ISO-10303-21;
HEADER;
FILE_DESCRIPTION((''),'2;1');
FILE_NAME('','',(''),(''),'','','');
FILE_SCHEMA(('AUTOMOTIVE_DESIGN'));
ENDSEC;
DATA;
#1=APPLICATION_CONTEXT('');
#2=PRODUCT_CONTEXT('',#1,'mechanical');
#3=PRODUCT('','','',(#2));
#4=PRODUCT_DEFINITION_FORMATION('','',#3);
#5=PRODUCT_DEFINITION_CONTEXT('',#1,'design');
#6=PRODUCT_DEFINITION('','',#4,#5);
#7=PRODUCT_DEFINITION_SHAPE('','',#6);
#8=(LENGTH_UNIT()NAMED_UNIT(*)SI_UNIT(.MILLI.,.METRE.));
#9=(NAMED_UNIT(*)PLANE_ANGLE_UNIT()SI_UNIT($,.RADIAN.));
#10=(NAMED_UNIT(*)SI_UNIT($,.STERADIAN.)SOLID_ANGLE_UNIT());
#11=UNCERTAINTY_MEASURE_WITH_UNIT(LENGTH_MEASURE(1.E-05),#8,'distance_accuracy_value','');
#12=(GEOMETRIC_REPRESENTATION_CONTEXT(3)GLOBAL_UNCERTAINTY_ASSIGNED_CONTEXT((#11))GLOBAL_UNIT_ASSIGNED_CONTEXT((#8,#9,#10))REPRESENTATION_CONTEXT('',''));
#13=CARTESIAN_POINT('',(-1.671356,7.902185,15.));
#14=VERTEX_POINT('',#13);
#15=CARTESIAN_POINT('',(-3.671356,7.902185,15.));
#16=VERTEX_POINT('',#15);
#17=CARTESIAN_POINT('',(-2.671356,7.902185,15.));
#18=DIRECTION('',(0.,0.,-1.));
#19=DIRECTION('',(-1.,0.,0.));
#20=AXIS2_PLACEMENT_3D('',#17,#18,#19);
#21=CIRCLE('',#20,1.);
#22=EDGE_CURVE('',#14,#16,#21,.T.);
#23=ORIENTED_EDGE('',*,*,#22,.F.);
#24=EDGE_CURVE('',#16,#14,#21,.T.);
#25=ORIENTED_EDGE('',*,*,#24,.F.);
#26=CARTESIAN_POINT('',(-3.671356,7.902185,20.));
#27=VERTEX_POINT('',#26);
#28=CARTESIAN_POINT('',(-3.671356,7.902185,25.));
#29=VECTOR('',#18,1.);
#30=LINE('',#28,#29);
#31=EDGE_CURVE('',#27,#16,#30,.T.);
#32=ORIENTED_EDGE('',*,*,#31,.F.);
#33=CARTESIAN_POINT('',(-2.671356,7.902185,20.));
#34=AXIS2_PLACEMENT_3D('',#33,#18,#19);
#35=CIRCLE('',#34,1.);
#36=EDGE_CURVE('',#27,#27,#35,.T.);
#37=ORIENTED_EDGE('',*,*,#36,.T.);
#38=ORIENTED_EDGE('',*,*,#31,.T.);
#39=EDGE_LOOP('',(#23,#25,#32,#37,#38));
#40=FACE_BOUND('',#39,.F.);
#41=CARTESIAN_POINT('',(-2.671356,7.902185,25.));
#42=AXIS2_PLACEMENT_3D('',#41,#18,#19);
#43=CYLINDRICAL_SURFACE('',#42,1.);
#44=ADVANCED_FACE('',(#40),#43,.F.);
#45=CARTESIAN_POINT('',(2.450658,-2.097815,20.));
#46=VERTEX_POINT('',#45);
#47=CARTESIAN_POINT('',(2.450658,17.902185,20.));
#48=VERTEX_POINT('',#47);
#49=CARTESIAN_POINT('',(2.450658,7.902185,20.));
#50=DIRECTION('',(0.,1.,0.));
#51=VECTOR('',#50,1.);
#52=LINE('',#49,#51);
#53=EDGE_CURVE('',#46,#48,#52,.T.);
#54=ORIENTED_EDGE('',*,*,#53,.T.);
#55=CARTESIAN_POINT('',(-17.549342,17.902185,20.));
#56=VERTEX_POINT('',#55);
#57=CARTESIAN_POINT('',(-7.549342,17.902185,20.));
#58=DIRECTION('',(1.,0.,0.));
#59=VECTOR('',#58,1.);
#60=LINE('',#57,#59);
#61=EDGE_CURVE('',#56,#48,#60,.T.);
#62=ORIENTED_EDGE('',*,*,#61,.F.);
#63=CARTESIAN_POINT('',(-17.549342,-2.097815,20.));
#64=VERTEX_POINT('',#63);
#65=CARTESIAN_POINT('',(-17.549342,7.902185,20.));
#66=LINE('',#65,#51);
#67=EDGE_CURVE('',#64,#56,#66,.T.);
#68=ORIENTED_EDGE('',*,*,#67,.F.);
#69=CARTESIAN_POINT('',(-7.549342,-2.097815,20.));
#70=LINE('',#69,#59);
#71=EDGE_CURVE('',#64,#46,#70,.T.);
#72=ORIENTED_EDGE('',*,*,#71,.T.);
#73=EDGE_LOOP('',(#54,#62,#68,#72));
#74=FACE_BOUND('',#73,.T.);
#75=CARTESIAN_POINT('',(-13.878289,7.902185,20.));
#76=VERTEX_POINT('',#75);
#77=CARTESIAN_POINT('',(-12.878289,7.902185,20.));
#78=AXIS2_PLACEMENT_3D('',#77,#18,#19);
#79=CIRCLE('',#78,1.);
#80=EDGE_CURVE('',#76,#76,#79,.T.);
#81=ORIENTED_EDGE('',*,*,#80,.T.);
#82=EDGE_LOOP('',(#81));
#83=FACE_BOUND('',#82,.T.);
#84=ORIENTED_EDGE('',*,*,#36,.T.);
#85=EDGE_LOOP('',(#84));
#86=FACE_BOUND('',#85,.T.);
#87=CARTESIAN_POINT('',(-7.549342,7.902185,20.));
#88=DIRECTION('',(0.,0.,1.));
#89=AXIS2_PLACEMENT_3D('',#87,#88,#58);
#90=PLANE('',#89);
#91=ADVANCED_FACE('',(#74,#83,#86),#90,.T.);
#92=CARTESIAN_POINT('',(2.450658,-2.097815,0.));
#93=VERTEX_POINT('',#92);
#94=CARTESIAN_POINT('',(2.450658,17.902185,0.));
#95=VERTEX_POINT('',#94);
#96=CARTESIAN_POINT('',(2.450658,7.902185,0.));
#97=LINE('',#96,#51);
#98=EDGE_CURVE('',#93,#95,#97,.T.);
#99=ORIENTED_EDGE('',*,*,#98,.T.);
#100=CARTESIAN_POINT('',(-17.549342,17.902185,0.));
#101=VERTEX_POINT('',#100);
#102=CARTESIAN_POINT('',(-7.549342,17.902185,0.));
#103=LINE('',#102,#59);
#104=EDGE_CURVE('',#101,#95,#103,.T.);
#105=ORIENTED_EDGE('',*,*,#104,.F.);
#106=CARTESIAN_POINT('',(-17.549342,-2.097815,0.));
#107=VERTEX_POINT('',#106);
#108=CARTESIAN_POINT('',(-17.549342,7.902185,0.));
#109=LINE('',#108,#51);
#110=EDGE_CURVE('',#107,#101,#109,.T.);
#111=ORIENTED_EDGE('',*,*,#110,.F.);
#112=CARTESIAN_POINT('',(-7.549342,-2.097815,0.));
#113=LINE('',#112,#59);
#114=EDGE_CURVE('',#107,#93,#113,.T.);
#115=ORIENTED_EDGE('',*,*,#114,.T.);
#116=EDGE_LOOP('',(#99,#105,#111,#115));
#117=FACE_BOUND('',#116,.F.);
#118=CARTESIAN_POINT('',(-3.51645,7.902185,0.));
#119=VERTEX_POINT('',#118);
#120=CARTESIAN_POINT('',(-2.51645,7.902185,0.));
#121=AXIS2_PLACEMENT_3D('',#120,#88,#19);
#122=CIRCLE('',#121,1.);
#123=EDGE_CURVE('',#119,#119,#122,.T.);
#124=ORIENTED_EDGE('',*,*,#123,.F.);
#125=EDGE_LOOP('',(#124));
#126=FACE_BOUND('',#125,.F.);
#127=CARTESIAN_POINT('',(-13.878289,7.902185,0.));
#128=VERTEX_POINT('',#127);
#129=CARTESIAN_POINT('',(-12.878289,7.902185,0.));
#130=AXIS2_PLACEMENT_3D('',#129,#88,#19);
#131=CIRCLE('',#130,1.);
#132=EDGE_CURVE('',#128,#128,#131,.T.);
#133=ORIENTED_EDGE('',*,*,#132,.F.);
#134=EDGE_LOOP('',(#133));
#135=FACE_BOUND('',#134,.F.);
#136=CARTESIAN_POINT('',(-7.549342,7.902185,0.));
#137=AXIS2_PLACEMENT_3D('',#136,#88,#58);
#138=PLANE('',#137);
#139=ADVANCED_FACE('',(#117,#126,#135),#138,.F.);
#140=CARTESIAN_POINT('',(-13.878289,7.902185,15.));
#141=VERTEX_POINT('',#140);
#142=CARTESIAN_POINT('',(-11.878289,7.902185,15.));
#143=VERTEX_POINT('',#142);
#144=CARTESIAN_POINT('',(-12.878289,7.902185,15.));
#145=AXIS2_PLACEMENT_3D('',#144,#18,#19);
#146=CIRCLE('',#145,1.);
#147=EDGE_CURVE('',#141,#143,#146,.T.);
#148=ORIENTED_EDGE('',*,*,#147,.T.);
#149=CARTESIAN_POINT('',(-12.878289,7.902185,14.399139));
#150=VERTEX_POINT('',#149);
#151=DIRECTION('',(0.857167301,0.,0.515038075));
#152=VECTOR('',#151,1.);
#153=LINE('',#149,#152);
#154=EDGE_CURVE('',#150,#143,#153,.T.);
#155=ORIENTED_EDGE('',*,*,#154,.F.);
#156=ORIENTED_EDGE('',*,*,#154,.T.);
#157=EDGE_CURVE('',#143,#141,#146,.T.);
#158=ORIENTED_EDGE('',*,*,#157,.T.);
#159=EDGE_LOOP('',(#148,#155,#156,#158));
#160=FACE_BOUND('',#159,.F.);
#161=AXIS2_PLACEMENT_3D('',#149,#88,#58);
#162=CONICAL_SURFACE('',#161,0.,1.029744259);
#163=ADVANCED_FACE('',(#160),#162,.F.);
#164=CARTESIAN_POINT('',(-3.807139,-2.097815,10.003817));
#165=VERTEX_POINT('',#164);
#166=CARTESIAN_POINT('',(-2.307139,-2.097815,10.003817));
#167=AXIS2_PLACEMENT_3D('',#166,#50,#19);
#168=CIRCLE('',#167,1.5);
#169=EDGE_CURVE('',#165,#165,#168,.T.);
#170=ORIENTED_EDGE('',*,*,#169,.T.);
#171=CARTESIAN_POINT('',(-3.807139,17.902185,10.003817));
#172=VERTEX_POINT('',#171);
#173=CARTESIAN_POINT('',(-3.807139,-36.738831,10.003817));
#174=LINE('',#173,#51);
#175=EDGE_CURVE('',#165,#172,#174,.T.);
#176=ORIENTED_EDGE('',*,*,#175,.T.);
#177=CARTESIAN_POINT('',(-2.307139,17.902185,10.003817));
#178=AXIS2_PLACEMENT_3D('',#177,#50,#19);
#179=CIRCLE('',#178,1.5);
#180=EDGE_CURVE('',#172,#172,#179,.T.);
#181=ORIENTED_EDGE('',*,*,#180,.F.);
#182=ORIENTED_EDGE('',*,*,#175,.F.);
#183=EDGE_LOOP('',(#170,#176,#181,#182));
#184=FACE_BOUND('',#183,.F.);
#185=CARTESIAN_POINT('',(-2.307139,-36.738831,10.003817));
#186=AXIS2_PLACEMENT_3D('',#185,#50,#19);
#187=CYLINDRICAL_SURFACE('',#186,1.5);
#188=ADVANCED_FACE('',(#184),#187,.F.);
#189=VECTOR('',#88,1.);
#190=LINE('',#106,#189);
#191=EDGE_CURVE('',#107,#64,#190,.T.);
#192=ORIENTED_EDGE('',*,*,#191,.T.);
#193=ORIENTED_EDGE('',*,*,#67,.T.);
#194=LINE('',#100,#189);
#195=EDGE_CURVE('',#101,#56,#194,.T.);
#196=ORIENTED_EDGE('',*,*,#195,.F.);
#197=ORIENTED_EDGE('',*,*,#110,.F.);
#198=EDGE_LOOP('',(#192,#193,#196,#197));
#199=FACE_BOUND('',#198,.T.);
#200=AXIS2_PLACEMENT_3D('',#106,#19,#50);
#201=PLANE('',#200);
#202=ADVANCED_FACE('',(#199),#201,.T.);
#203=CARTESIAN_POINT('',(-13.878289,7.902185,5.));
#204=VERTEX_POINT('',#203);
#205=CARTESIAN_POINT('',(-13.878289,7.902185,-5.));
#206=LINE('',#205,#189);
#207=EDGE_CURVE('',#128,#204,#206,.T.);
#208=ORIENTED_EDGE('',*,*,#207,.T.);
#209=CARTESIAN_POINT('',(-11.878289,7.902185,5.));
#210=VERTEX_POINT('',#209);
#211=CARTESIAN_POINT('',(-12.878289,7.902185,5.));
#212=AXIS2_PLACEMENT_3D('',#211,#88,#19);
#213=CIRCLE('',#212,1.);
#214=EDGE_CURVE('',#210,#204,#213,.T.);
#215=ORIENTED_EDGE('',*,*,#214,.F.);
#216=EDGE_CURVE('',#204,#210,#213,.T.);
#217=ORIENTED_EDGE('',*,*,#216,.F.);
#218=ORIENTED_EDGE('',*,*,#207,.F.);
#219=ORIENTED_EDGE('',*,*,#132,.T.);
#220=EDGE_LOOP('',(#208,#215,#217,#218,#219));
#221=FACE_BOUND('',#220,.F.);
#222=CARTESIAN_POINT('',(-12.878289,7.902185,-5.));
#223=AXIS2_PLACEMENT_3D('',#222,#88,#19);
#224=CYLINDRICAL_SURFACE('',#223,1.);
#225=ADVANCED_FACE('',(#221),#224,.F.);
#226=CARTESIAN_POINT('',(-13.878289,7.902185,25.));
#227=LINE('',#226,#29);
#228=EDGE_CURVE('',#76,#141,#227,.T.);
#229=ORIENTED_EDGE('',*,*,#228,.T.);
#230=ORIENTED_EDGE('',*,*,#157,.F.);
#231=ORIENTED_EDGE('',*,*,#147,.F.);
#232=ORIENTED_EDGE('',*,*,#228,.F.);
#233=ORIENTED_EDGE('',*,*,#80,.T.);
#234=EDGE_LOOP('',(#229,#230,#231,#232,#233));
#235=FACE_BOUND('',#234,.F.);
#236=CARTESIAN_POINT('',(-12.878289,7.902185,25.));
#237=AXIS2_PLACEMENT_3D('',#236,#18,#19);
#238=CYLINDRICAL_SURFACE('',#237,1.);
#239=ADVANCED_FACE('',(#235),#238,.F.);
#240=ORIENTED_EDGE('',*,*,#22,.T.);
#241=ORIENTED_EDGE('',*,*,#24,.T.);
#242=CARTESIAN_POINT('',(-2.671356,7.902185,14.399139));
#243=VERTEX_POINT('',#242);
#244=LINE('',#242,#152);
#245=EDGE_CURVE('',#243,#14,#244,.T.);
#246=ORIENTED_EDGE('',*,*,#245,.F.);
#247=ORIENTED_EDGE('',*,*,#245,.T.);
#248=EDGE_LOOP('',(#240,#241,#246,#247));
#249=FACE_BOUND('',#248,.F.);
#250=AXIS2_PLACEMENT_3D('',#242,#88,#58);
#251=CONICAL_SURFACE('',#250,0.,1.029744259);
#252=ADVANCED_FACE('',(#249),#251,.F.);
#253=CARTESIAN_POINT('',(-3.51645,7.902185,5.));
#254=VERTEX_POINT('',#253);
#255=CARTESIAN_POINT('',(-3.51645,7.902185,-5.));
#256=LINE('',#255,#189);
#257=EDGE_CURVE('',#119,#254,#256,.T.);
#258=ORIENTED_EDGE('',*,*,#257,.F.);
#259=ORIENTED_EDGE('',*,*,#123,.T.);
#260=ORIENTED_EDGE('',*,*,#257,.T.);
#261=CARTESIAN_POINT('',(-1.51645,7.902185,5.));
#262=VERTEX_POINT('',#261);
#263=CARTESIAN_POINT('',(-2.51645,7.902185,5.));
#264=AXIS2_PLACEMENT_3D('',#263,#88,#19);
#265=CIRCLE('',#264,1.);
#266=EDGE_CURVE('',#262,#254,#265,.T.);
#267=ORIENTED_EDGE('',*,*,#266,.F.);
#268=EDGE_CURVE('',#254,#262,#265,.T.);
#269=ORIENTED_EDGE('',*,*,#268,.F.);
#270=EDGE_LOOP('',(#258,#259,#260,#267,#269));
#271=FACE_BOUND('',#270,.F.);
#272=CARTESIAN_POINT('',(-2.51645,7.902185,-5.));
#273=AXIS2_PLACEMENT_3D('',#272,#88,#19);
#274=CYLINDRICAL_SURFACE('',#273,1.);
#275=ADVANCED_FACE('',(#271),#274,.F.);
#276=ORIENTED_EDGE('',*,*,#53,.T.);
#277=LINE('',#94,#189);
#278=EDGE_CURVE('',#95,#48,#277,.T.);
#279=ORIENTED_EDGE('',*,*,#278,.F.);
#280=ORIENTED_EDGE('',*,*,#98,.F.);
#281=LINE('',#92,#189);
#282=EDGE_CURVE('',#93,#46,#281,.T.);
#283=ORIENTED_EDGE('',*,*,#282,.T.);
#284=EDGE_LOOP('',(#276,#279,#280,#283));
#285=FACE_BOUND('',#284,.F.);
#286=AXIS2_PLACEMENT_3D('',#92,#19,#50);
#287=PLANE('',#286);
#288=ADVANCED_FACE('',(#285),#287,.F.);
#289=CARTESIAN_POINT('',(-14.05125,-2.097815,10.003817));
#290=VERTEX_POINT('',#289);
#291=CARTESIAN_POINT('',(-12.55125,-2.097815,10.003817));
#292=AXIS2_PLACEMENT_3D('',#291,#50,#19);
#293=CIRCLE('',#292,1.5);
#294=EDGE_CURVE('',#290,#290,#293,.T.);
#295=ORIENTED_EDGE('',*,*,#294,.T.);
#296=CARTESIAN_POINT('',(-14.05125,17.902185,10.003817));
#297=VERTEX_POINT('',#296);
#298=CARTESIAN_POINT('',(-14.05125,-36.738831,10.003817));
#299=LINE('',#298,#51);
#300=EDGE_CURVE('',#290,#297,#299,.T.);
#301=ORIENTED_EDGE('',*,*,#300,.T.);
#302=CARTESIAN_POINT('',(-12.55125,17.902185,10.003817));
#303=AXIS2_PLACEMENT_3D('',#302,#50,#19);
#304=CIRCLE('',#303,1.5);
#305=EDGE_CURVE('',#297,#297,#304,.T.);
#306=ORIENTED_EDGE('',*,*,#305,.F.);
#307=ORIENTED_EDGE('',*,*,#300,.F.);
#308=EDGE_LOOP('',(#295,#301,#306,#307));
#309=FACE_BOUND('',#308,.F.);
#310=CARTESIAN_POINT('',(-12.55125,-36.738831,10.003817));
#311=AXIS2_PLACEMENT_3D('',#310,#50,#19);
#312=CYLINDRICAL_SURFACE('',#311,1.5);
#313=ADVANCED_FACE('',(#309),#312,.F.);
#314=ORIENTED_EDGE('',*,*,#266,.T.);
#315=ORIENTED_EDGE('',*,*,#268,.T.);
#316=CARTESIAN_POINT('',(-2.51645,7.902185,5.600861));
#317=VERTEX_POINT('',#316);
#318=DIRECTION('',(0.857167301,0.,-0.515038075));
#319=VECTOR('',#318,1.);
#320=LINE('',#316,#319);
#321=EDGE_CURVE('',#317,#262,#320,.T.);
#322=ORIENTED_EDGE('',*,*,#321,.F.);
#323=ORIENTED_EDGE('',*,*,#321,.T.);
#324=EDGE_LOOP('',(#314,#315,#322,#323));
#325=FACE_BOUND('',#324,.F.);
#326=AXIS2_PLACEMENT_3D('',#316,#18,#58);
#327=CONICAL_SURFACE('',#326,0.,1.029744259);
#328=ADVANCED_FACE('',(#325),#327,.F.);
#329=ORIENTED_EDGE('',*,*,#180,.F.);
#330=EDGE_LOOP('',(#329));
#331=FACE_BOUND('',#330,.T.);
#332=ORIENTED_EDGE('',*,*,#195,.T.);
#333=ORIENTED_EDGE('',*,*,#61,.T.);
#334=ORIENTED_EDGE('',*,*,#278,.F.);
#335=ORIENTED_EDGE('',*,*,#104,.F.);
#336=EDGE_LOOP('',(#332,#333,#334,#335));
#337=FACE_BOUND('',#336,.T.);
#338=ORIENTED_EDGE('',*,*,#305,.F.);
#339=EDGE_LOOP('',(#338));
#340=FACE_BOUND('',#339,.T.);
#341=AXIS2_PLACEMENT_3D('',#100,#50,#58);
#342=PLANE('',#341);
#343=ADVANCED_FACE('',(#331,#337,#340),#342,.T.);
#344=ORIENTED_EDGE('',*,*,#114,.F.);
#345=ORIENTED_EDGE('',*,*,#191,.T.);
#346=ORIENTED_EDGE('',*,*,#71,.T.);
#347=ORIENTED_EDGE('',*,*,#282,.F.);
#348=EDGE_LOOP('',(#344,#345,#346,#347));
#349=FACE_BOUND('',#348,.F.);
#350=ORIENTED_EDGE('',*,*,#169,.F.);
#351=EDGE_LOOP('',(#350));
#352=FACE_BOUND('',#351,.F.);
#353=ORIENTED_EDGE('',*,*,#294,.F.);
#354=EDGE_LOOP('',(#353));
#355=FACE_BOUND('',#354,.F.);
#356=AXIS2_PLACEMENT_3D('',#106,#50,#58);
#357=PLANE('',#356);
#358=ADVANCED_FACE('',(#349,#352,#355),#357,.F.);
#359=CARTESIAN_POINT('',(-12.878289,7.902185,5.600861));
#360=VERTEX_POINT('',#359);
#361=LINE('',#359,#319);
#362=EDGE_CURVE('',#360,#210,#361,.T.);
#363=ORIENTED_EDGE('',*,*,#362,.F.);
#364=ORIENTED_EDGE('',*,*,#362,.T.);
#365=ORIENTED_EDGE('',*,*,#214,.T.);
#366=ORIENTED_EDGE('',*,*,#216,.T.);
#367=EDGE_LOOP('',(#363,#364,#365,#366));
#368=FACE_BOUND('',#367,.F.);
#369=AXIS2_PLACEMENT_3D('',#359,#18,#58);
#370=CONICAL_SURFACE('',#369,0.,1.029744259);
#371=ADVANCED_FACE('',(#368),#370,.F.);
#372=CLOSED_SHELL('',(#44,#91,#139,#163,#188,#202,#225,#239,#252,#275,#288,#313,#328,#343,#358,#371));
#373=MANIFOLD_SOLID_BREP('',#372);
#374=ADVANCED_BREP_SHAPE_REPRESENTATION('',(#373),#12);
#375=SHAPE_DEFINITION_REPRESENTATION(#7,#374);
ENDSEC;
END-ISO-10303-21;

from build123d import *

# Parameters (mm, degrees)
F0_W     = 20
F0_H     = 20
F1_DEPTH = 20
F2_DEPTH = 20
F3_D     = 2
F3_DEPTH = 5
F3_TIP   = 0.600860619
F5_D     = 2
F5_DEPTH = 5
F5_TIP   = 0.600860619
F7_D     = 3


with BuildPart() as f1:
    # F0 (on Top) → F1 (new body)
    with BuildSketch(Plane.XY):
        with Locations((-7.549341768, 7.9021853259)):
            Rectangle(F0_W, F0_H)
    extrude(amount=F1_DEPTH)

    # F0 (on Top) → F2 (join)
    with BuildSketch(Plane.XY):
        with Locations((-7.549341768, 7.9021853259)):
            Rectangle(F0_W, F0_H)
    extrude(amount=F2_DEPTH)

    # F3
    with Locations(Plane(origin=(0, 0, 0), x_dir=(1, 0, 0), z_dir=(0, 0, -1))):
        with Locations((-12.8782894462, -7.9021853259), (-2.5164496619, -7.9021853259)):
            Hole(F3_D / 2, depth=F3_DEPTH)
            with Locations((0, 0, -(F3_DEPTH + F3_TIP / 2))):  # 118° drill point
                Cone(0, F3_D / 2, F3_TIP, mode=Mode.SUBTRACT)

    # F5
    with Locations(Plane.XY.offset(20)):
        with Locations((-12.8782894462, 7.9021853259), (-2.6713556144, 7.9021853259)):
            Hole(F5_D / 2, depth=F5_DEPTH)
            with Locations((0, 0, -(F5_DEPTH + F5_TIP / 2))):  # 118° drill point
                Cone(0, F5_D / 2, F5_TIP, mode=Mode.SUBTRACT)

    # F7 (through all)
    with Locations(Plane.XZ.offset(2.0978146741)):
        with Locations((-12.5512500335, 10.0038165309), (-2.3071385143, 10.0038165309)):
            Hole(F7_D / 2)


solid = f1.part
